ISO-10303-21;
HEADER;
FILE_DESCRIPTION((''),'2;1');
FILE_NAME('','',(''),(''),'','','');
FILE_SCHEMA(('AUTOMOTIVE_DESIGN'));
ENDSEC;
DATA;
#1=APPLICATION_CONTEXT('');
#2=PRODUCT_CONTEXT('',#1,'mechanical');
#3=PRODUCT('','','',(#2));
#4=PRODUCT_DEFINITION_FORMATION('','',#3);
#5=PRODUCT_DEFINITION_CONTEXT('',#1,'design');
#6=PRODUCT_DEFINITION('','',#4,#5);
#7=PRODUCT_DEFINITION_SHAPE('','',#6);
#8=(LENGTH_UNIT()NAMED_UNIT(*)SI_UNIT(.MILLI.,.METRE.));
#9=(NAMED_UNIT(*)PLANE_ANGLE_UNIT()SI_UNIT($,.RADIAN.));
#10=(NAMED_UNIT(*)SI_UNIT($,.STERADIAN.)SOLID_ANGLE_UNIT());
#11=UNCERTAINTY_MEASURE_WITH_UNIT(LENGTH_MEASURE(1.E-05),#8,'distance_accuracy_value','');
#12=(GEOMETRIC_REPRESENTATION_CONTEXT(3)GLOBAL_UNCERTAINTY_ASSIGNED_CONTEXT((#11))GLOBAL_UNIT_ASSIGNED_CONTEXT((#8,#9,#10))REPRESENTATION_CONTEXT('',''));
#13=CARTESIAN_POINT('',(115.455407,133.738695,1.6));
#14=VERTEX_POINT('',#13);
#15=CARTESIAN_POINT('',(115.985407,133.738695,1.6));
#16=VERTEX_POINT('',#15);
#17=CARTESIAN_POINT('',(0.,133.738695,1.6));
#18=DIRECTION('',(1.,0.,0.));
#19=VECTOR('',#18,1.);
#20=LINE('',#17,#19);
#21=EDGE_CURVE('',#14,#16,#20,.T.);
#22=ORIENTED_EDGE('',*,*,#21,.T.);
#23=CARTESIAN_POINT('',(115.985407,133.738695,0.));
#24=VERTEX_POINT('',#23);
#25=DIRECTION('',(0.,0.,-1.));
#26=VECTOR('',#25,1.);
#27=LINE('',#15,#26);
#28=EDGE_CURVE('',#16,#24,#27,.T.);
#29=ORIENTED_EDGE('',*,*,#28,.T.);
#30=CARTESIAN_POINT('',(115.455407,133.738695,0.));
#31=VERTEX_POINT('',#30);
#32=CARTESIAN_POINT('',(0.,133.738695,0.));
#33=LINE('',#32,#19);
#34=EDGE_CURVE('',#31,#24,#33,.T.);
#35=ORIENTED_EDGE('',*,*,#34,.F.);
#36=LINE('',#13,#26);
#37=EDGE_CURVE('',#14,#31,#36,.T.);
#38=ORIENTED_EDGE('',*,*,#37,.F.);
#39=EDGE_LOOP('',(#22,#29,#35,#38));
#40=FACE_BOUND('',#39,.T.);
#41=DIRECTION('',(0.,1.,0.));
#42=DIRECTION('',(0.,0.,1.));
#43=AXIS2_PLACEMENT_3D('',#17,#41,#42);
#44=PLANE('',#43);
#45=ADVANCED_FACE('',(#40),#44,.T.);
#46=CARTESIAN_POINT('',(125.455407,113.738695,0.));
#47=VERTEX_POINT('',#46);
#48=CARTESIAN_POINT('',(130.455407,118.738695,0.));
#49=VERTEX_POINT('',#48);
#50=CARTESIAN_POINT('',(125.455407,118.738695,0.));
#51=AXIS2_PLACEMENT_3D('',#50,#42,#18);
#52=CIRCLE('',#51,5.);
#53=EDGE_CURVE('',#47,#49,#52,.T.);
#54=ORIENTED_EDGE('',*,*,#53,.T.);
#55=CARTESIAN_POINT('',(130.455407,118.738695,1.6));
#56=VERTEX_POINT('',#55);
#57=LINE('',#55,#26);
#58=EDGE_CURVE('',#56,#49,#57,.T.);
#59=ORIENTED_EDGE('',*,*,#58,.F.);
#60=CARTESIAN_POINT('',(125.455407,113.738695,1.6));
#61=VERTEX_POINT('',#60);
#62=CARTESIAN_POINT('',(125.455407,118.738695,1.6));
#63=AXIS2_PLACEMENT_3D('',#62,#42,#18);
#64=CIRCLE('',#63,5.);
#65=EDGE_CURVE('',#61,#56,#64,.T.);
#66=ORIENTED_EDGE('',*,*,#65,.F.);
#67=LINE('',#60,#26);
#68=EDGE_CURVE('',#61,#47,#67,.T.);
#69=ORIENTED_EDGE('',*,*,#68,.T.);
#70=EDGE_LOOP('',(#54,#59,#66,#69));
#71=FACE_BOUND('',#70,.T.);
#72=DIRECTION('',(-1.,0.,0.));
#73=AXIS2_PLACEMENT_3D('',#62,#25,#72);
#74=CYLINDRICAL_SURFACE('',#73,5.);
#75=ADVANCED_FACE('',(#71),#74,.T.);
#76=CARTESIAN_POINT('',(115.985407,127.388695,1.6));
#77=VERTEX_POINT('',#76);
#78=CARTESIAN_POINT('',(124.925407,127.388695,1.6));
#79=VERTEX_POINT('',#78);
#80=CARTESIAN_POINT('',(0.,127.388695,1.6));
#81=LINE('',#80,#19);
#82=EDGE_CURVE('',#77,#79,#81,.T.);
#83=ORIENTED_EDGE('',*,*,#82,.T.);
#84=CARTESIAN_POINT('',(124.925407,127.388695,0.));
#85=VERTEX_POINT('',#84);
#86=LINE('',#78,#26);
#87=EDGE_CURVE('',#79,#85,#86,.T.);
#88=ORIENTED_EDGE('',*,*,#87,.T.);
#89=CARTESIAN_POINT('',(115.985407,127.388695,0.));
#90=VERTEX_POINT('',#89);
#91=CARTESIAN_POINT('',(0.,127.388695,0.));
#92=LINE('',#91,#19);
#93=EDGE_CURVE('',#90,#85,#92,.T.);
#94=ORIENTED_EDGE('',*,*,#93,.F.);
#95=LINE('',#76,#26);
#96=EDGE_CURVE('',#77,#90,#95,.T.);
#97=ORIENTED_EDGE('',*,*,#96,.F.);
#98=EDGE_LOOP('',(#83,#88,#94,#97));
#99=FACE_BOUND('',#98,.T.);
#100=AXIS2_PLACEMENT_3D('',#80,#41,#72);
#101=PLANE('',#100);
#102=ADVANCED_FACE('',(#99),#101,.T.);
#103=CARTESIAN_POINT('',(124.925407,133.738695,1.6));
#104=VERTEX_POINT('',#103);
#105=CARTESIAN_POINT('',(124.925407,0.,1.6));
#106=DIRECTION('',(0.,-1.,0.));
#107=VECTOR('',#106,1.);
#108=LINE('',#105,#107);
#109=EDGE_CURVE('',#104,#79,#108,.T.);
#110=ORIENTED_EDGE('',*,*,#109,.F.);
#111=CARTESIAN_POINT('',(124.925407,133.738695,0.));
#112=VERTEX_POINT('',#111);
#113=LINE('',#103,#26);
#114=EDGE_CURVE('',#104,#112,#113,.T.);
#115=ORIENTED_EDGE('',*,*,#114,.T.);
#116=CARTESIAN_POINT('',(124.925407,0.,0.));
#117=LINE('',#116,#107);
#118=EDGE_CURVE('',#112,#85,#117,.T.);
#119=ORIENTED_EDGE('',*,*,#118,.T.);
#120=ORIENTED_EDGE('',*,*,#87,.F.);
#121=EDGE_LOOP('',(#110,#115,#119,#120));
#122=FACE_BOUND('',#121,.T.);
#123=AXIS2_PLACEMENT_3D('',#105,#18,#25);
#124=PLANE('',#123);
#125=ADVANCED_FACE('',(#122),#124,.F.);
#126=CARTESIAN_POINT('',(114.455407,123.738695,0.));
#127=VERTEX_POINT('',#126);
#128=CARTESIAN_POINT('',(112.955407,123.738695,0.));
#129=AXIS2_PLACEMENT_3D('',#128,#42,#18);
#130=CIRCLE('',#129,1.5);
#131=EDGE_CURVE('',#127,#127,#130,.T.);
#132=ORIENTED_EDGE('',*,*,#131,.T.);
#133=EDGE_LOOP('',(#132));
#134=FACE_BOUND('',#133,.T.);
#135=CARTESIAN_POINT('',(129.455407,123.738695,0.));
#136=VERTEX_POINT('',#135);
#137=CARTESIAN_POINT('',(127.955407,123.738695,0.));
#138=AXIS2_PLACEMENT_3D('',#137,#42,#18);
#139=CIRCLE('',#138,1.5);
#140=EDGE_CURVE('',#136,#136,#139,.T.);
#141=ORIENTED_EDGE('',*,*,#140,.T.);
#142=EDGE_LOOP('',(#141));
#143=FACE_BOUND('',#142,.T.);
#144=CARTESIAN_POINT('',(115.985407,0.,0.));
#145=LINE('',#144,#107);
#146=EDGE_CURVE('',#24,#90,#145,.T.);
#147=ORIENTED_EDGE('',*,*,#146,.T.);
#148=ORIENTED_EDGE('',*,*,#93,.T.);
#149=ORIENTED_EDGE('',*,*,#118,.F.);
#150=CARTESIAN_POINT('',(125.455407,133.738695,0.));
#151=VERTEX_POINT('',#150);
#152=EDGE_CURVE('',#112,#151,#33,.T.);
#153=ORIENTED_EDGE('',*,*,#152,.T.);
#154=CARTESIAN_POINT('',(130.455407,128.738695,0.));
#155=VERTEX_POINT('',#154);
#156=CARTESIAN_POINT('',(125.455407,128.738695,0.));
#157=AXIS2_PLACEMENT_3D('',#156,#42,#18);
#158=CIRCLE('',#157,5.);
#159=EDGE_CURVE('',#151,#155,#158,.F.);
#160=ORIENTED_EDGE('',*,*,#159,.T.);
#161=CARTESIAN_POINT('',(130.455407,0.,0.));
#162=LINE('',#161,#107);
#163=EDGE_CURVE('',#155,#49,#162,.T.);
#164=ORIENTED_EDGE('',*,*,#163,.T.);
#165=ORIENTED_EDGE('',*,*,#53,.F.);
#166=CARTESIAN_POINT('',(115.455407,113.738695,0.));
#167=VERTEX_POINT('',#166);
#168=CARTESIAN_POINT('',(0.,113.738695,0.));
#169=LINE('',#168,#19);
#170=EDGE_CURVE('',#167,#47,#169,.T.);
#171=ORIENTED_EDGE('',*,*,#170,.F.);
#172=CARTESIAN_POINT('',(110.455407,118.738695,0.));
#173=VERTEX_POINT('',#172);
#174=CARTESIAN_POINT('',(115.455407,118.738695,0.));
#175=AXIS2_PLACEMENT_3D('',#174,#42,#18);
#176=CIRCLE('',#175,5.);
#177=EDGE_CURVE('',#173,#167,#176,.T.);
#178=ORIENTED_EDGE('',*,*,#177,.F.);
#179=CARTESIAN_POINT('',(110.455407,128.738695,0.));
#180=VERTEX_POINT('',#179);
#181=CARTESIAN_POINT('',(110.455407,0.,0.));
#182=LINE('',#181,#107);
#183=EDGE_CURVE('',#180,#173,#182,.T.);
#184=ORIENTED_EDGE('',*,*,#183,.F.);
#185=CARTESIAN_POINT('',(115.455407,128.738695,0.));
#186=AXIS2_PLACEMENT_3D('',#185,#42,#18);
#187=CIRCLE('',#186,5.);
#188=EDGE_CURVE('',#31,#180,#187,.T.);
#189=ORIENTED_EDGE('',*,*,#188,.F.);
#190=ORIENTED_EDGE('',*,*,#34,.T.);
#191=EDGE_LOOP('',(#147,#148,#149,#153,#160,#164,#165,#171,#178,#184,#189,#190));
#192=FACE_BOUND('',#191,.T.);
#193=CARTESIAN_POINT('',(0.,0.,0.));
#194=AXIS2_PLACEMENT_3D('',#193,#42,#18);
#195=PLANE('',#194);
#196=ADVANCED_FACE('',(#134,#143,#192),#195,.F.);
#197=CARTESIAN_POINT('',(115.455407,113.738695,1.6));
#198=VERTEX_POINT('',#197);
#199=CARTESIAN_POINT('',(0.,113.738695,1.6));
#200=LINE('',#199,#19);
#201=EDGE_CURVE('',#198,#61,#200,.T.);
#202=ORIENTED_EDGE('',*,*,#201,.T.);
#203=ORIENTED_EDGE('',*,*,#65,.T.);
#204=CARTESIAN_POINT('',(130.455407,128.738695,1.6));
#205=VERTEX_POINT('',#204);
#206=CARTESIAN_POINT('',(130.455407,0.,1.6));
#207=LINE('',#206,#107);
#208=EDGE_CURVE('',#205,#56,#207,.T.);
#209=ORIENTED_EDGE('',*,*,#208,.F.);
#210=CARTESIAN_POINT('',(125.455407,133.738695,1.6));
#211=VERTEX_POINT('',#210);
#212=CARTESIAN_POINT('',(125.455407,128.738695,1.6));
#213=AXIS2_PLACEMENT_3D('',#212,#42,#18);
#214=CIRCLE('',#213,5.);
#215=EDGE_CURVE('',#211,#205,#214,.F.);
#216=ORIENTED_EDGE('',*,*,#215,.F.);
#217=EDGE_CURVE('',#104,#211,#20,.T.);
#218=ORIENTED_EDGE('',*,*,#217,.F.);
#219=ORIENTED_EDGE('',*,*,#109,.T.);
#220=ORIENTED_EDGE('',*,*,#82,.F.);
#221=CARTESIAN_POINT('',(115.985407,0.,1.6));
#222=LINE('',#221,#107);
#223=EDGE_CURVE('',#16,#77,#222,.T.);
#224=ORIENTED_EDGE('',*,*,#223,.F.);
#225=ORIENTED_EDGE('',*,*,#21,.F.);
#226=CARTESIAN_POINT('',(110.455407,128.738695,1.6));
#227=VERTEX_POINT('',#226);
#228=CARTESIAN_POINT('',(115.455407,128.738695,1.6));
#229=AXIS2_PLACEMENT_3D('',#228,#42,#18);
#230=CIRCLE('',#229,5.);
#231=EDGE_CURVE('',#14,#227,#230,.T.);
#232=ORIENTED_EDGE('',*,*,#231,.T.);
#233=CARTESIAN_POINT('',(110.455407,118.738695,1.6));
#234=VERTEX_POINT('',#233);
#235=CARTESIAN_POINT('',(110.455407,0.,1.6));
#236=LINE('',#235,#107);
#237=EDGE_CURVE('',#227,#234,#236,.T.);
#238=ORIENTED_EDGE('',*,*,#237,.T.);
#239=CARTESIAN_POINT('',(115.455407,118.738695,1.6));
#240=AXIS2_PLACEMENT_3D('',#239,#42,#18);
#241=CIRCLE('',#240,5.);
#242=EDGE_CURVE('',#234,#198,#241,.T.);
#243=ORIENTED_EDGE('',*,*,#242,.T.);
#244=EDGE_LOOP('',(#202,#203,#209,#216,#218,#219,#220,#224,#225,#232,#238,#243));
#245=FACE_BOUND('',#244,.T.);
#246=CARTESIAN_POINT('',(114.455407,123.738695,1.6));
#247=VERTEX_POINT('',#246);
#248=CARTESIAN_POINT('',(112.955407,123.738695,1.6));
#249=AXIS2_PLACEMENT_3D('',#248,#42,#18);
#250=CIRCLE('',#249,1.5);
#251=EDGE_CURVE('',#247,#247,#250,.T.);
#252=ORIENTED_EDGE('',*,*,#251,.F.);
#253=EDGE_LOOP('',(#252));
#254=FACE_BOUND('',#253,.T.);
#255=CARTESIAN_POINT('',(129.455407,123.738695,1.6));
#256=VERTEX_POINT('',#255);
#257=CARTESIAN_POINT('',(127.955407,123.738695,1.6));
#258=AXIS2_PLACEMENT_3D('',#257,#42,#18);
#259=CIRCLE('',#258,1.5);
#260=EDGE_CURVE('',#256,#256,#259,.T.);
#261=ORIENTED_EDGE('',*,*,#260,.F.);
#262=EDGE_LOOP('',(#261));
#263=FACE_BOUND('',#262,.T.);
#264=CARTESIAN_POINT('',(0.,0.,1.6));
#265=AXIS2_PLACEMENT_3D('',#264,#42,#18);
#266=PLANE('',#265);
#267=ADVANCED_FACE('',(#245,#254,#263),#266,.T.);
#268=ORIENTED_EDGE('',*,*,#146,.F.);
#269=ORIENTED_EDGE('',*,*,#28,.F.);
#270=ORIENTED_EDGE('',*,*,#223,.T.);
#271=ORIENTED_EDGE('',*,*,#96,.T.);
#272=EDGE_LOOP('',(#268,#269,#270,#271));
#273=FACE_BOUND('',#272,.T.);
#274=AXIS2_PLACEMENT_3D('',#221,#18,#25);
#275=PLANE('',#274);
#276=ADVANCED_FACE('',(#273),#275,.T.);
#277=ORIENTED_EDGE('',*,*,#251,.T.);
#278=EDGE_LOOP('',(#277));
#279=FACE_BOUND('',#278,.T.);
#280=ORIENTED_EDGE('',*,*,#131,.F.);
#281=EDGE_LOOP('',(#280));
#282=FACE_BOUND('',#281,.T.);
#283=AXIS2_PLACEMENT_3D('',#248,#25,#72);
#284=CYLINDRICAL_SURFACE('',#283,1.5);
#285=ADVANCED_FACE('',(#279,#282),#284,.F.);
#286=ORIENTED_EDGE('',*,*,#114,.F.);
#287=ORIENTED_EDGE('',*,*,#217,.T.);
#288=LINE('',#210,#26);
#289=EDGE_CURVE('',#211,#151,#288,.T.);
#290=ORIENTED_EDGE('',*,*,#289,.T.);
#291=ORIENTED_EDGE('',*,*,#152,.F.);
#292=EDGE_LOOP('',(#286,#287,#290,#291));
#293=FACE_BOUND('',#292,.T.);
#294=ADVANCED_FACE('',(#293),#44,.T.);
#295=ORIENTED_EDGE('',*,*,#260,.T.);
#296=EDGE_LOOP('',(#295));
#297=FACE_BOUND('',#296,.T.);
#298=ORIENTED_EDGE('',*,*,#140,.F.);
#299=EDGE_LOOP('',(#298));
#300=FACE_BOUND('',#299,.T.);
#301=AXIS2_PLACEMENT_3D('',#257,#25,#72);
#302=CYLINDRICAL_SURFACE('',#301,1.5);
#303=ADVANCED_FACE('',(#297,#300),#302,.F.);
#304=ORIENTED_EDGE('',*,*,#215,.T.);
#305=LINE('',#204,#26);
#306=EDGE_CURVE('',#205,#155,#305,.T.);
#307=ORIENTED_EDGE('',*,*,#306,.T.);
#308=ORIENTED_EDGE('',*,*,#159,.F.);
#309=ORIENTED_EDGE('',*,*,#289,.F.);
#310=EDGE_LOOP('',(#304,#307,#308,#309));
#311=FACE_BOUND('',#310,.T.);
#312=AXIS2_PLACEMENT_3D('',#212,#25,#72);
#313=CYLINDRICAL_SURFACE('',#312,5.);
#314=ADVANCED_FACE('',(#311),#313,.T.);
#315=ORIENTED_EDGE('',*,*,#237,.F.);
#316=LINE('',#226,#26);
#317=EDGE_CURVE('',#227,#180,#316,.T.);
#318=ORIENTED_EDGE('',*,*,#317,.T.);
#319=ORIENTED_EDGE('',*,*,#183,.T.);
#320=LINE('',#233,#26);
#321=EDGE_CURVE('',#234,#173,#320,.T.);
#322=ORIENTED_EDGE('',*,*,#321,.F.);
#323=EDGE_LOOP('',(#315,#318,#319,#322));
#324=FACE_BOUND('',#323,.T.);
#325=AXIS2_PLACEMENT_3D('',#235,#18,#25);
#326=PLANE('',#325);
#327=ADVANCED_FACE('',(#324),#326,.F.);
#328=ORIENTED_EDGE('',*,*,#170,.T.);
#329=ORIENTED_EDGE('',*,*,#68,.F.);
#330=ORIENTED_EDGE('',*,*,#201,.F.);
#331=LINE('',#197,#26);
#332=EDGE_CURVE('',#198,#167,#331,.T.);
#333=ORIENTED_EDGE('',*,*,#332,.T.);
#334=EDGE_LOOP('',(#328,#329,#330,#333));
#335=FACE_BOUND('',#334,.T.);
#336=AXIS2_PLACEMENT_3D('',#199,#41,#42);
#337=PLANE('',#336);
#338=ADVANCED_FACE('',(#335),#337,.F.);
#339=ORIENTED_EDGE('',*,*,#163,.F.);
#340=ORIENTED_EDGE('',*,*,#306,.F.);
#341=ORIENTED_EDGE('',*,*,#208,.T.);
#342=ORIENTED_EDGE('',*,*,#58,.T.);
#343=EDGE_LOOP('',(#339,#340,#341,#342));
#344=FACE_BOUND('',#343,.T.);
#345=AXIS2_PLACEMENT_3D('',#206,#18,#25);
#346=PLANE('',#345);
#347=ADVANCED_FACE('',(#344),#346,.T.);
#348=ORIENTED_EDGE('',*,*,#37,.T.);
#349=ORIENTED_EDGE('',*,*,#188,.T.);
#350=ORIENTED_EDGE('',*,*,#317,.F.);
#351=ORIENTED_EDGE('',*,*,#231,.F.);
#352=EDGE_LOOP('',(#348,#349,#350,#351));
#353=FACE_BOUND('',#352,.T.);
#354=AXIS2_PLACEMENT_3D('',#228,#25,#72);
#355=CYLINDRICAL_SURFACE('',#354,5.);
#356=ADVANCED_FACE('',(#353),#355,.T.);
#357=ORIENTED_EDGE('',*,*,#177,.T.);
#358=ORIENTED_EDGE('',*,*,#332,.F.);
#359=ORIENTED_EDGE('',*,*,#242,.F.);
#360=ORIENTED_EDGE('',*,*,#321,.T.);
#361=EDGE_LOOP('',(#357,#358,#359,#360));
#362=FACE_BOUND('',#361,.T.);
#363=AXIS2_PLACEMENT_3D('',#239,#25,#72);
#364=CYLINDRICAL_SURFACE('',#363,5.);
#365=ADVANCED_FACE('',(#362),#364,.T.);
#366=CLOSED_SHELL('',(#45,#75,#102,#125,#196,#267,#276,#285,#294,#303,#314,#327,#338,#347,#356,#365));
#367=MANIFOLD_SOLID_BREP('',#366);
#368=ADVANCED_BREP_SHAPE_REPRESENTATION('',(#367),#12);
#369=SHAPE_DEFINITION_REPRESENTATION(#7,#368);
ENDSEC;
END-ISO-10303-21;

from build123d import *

# Parameters (mm, degrees)
SKETCH13_R          = 1.5
BOSS_EXTRUDE1_DEPTH = 1.6


with BuildPart() as part:
    # Sketch13 → Boss-Extrude1 (new body)
    with BuildSketch(Plane.XY):
        with BuildLine():
            Line((115.98540719, 133.738694526), (115.45540719, 133.738694526))
            ThreePointArc((115.45540719, 133.738694526), (111.919873284, 132.274228432), (110.45540719, 128.738694526))
            Line((110.45540719, 128.738694526), (110.45540719, 118.738694526))
            ThreePointArc((110.45540719, 118.738694526), (111.919873284, 115.20316062), (115.45540719, 113.738694526))
            Line((115.45540719, 113.738694526), (125.45540719, 113.738694526))
            ThreePointArc((125.45540719, 113.738694526), (128.990941096, 115.20316062), (130.45540719, 118.738694526))
            Line((130.45540719, 118.738694526), (130.45540719, 128.738694526))
            ThreePointArc((130.45540719, 128.738694526), (128.990941096, 132.274228432), (125.45540719, 133.738694526))
            Line((125.45540719, 133.738694526), (124.92540719, 133.738694526))
            Line((124.92540719, 133.738694526), (124.92540719, 127.388694526))
            Line((124.92540719, 127.388694526), (115.98540719, 127.388694526))
            Line((115.98540719, 127.388694526), (115.98540719, 133.738694526))
        make_face()
        with Locations((112.95540719, 123.738694526)):
            Circle(SKETCH13_R, mode=Mode.SUBTRACT)
        with Locations((127.95540719, 123.738694526)):
            Circle(SKETCH13_R, mode=Mode.SUBTRACT)
    extrude(amount=BOSS_EXTRUDE1_DEPTH)


solid = part.part
